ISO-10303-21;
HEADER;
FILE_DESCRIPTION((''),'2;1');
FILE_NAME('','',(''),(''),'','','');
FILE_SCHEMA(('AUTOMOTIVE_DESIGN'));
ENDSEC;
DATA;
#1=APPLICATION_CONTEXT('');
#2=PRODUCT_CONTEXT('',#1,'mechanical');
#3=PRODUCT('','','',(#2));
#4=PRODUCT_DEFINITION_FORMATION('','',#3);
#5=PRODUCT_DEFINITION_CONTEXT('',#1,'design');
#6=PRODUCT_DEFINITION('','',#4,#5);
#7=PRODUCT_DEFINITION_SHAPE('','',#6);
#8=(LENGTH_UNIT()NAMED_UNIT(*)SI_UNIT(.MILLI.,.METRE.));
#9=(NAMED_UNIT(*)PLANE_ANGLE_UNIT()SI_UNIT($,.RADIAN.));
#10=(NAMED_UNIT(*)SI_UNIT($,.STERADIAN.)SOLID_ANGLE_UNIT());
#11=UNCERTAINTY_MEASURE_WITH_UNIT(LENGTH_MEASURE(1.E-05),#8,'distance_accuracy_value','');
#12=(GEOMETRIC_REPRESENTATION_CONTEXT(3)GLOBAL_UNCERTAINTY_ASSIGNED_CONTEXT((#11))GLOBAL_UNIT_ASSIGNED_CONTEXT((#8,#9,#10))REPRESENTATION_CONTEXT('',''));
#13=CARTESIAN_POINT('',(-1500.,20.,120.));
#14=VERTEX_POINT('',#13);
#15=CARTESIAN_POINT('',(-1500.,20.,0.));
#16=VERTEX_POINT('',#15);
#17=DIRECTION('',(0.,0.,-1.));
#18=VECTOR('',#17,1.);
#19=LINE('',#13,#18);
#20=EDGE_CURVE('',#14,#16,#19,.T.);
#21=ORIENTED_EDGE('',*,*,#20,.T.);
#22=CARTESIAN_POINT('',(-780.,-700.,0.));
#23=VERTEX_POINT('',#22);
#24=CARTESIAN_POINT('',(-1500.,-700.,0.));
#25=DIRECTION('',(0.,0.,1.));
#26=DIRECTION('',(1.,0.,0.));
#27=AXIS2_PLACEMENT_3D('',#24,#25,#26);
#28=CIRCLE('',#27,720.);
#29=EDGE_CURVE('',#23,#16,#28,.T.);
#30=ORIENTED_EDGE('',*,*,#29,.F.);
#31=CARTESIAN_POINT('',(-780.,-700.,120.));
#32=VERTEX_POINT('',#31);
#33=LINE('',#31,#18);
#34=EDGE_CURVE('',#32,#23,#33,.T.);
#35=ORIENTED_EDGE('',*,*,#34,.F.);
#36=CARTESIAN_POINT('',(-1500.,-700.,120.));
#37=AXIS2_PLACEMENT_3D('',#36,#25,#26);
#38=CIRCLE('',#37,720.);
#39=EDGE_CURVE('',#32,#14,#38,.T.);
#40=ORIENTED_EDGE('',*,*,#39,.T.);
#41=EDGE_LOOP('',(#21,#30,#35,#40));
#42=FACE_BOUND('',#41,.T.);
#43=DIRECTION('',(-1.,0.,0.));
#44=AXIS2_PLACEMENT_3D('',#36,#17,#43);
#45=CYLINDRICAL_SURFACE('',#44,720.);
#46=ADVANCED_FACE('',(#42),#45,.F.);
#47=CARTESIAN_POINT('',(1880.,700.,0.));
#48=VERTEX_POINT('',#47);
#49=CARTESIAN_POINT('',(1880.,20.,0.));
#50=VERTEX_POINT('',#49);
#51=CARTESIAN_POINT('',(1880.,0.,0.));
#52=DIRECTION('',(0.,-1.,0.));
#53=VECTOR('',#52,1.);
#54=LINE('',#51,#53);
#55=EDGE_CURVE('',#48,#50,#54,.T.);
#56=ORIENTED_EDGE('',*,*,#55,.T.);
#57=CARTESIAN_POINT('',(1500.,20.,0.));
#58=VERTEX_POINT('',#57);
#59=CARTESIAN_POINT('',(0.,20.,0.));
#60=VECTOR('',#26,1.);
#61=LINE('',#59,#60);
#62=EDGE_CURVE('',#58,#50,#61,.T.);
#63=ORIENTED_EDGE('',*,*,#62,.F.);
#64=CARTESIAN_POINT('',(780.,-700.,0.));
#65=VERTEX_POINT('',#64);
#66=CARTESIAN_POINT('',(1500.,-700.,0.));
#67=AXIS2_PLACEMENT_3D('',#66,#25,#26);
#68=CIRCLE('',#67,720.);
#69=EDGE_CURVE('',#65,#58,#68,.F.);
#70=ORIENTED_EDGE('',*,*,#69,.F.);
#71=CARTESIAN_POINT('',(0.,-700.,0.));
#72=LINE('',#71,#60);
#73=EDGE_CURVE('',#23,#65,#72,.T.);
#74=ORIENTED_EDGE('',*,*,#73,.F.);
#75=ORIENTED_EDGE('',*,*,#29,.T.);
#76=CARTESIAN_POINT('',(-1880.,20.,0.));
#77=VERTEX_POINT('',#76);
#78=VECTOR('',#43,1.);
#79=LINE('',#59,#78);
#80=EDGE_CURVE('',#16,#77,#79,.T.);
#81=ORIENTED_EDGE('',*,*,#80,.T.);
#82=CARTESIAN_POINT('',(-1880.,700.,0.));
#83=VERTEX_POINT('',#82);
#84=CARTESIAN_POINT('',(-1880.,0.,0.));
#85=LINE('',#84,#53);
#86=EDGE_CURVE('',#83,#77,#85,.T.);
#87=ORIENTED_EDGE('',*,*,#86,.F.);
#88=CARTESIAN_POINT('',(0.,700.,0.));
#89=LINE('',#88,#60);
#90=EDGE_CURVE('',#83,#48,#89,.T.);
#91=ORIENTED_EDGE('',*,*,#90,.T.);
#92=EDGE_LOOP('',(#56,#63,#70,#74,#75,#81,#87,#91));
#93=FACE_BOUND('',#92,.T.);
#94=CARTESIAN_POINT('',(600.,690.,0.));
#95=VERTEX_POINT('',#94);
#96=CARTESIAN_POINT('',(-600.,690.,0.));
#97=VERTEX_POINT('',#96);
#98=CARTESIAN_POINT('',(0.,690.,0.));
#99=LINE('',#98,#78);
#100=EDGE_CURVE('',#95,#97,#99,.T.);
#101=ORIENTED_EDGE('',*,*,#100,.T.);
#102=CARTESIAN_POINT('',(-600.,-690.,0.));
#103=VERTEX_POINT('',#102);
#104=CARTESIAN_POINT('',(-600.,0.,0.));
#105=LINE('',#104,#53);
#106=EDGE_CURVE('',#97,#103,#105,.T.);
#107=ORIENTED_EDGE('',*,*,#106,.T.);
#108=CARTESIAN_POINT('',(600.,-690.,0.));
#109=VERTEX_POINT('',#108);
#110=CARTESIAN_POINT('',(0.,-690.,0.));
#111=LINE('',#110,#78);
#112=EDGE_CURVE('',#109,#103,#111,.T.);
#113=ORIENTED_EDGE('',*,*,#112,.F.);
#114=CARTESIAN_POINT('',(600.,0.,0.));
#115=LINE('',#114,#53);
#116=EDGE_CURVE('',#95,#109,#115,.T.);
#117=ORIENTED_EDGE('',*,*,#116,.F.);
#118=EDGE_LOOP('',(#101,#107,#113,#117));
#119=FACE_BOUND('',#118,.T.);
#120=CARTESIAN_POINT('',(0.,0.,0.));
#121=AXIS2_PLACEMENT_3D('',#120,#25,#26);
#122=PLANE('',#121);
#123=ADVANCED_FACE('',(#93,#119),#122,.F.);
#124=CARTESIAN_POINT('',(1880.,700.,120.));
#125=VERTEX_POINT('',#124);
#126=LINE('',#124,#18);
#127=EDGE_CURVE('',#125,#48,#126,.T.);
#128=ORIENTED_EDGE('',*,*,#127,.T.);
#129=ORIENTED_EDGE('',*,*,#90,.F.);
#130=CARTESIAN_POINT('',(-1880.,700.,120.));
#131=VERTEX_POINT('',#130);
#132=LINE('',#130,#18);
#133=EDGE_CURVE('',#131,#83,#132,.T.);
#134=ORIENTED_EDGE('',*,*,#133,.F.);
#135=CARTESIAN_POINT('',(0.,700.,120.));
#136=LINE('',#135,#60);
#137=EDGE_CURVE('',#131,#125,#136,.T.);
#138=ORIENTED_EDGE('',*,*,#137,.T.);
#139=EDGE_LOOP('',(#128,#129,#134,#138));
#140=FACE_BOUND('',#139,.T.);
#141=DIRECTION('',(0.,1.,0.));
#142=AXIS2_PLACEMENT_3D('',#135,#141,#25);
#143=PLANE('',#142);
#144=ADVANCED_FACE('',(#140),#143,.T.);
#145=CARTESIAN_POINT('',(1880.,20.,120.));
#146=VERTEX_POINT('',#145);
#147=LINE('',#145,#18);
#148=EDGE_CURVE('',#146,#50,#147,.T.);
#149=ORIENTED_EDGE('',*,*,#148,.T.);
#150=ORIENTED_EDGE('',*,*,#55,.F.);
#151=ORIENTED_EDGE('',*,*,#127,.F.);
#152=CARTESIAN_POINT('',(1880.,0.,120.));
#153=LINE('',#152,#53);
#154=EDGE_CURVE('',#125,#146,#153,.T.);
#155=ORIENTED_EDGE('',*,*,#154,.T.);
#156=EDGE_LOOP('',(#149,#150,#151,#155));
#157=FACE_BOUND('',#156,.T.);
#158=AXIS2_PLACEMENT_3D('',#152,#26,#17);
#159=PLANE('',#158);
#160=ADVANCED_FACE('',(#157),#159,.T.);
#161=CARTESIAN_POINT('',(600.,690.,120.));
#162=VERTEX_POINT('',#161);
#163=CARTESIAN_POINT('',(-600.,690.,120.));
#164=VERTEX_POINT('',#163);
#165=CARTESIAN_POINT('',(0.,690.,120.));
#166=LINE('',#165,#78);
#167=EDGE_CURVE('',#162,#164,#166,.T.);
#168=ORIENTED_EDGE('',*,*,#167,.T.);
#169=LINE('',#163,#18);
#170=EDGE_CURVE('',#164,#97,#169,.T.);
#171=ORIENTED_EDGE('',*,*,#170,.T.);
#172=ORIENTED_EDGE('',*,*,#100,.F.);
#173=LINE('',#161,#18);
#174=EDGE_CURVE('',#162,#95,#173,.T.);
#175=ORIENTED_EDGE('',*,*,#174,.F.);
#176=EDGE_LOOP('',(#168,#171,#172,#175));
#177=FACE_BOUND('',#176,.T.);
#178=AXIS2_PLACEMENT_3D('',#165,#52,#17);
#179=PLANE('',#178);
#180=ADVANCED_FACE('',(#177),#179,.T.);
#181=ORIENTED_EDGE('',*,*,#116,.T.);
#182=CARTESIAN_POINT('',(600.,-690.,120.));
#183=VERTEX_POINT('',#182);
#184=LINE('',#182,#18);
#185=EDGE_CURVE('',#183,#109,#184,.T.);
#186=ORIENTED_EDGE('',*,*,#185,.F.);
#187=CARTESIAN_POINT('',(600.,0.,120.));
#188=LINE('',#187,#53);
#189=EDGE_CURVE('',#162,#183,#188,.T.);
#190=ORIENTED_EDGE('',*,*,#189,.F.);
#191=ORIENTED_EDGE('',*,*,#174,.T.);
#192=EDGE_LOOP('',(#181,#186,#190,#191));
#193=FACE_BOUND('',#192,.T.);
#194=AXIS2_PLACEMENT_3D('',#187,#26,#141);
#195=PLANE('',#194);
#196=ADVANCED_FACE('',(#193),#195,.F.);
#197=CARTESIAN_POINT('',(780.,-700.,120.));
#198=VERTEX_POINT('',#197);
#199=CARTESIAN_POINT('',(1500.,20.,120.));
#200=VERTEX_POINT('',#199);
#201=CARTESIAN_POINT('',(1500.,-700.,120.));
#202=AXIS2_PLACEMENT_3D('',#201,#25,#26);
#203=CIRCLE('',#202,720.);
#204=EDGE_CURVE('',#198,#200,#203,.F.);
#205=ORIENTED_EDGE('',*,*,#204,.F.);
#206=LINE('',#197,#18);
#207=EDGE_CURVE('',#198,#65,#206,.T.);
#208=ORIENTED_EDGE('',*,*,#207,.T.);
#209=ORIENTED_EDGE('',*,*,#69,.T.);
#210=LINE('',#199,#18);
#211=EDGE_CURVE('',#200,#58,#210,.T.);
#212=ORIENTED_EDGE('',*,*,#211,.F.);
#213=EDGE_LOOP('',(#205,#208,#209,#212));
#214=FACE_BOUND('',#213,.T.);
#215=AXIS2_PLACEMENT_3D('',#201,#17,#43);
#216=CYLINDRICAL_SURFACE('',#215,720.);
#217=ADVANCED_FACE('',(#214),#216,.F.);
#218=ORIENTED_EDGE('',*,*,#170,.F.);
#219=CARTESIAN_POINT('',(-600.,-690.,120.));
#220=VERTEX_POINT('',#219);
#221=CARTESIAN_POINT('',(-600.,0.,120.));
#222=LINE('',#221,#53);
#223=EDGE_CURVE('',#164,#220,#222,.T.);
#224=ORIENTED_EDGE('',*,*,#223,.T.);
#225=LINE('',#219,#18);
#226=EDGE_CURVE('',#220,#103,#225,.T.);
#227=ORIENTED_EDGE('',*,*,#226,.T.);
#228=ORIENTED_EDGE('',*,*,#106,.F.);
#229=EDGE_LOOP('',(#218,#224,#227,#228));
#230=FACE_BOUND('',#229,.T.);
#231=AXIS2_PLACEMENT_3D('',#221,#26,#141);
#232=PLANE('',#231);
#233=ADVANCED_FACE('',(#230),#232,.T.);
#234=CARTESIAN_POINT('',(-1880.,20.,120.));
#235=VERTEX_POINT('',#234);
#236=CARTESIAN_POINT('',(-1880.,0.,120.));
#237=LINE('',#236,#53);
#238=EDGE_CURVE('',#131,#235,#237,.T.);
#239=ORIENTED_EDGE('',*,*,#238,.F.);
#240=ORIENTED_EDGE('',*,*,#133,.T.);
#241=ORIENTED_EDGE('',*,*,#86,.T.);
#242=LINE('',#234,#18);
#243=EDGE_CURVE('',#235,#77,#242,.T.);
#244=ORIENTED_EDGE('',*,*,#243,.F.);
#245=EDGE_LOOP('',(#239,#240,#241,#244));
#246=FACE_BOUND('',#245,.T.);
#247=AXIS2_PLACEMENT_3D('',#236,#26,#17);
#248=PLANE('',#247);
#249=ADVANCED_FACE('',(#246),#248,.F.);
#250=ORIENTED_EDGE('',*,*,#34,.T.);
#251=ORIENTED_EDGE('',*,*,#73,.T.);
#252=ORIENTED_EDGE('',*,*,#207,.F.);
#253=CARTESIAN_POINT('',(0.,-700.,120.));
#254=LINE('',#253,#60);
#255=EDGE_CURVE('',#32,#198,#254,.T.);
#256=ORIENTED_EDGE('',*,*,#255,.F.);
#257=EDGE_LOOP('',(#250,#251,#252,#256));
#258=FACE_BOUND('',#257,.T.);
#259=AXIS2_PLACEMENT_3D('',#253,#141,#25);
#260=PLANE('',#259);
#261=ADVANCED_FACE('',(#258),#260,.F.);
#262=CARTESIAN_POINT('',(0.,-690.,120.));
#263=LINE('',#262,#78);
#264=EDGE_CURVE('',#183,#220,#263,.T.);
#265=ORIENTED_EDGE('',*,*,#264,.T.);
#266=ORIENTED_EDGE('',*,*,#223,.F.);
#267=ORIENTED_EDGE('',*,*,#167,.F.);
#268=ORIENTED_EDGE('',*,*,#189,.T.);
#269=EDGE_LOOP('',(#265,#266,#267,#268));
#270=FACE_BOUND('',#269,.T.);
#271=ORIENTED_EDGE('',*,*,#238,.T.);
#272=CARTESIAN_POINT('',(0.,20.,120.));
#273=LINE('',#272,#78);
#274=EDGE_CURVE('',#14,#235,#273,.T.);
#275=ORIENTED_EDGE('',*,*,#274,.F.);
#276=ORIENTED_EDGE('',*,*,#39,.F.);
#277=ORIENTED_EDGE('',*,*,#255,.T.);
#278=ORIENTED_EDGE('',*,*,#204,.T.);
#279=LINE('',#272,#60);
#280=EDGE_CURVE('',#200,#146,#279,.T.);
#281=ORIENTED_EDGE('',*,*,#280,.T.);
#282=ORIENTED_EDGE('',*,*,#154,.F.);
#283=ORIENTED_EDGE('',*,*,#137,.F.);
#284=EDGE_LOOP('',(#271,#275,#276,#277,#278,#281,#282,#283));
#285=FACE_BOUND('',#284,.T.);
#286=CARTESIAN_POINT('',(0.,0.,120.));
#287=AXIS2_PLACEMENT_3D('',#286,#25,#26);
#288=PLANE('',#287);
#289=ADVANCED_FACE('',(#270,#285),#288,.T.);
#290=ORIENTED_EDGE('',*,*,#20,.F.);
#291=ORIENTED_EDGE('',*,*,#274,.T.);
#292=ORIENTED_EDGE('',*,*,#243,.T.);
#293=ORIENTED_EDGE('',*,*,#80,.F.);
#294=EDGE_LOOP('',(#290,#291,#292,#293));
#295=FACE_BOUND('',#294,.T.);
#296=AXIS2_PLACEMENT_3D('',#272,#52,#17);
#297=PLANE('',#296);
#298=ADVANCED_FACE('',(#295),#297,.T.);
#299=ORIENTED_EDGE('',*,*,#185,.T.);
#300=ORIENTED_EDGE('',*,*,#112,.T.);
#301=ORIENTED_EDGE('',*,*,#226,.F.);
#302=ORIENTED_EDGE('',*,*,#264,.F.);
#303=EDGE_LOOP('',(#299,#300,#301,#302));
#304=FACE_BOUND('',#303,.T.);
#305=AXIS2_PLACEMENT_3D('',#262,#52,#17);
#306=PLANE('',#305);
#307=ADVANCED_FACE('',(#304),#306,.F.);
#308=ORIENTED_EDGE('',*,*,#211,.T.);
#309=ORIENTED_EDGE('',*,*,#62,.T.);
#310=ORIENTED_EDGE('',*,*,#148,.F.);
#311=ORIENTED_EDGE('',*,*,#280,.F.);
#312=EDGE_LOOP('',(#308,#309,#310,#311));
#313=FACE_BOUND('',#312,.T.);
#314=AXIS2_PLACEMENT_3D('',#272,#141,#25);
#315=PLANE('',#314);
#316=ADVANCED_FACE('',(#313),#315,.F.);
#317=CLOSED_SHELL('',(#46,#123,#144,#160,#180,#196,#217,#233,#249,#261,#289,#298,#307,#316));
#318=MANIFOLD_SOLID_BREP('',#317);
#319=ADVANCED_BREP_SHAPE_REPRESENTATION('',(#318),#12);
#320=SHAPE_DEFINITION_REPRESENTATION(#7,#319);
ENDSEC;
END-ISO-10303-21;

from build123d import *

# Parameters (mm, degrees)
BOSS_EXTRUDE1_DEPTH = 120
SKETCH2_W           = 1200
SKETCH2_H           = 1380
CUT_EXTRUDE1_DEPTH  = 120


with BuildPart() as part:
    # Sketch1 → Boss-Extrude1 (new body)
    with BuildSketch(Plane.XY):
        with BuildLine():
            ThreePointArc((780, -700), (990.883117546, -190.883117546), (1500, 20))
            Line((1500, 20), (1880, 20))
            Line((1880, 20), (1880, 700))
            Line((1880, 700), (-1880, 700))
            Line((-1880, 700), (-1880, 20))
            Line((-1880, 20), (-1500, 20))
            ThreePointArc((-1500, 20), (-990.883117546, -190.883117546), (-780, -700))
            Line((-780, -700), (780, -700))
        make_face()
    extrude(amount=BOSS_EXTRUDE1_DEPTH)

    # Sketch2 → Cut-Extrude1 (cut)
    with BuildSketch(Plane(origin=(0, 0, 0), x_dir=(-1, 0, 0), z_dir=(0, 0, -1))):
        Rectangle(SKETCH2_W, SKETCH2_H)
    extrude(amount=-CUT_EXTRUDE1_DEPTH, mode=Mode.SUBTRACT)


solid = part.part
